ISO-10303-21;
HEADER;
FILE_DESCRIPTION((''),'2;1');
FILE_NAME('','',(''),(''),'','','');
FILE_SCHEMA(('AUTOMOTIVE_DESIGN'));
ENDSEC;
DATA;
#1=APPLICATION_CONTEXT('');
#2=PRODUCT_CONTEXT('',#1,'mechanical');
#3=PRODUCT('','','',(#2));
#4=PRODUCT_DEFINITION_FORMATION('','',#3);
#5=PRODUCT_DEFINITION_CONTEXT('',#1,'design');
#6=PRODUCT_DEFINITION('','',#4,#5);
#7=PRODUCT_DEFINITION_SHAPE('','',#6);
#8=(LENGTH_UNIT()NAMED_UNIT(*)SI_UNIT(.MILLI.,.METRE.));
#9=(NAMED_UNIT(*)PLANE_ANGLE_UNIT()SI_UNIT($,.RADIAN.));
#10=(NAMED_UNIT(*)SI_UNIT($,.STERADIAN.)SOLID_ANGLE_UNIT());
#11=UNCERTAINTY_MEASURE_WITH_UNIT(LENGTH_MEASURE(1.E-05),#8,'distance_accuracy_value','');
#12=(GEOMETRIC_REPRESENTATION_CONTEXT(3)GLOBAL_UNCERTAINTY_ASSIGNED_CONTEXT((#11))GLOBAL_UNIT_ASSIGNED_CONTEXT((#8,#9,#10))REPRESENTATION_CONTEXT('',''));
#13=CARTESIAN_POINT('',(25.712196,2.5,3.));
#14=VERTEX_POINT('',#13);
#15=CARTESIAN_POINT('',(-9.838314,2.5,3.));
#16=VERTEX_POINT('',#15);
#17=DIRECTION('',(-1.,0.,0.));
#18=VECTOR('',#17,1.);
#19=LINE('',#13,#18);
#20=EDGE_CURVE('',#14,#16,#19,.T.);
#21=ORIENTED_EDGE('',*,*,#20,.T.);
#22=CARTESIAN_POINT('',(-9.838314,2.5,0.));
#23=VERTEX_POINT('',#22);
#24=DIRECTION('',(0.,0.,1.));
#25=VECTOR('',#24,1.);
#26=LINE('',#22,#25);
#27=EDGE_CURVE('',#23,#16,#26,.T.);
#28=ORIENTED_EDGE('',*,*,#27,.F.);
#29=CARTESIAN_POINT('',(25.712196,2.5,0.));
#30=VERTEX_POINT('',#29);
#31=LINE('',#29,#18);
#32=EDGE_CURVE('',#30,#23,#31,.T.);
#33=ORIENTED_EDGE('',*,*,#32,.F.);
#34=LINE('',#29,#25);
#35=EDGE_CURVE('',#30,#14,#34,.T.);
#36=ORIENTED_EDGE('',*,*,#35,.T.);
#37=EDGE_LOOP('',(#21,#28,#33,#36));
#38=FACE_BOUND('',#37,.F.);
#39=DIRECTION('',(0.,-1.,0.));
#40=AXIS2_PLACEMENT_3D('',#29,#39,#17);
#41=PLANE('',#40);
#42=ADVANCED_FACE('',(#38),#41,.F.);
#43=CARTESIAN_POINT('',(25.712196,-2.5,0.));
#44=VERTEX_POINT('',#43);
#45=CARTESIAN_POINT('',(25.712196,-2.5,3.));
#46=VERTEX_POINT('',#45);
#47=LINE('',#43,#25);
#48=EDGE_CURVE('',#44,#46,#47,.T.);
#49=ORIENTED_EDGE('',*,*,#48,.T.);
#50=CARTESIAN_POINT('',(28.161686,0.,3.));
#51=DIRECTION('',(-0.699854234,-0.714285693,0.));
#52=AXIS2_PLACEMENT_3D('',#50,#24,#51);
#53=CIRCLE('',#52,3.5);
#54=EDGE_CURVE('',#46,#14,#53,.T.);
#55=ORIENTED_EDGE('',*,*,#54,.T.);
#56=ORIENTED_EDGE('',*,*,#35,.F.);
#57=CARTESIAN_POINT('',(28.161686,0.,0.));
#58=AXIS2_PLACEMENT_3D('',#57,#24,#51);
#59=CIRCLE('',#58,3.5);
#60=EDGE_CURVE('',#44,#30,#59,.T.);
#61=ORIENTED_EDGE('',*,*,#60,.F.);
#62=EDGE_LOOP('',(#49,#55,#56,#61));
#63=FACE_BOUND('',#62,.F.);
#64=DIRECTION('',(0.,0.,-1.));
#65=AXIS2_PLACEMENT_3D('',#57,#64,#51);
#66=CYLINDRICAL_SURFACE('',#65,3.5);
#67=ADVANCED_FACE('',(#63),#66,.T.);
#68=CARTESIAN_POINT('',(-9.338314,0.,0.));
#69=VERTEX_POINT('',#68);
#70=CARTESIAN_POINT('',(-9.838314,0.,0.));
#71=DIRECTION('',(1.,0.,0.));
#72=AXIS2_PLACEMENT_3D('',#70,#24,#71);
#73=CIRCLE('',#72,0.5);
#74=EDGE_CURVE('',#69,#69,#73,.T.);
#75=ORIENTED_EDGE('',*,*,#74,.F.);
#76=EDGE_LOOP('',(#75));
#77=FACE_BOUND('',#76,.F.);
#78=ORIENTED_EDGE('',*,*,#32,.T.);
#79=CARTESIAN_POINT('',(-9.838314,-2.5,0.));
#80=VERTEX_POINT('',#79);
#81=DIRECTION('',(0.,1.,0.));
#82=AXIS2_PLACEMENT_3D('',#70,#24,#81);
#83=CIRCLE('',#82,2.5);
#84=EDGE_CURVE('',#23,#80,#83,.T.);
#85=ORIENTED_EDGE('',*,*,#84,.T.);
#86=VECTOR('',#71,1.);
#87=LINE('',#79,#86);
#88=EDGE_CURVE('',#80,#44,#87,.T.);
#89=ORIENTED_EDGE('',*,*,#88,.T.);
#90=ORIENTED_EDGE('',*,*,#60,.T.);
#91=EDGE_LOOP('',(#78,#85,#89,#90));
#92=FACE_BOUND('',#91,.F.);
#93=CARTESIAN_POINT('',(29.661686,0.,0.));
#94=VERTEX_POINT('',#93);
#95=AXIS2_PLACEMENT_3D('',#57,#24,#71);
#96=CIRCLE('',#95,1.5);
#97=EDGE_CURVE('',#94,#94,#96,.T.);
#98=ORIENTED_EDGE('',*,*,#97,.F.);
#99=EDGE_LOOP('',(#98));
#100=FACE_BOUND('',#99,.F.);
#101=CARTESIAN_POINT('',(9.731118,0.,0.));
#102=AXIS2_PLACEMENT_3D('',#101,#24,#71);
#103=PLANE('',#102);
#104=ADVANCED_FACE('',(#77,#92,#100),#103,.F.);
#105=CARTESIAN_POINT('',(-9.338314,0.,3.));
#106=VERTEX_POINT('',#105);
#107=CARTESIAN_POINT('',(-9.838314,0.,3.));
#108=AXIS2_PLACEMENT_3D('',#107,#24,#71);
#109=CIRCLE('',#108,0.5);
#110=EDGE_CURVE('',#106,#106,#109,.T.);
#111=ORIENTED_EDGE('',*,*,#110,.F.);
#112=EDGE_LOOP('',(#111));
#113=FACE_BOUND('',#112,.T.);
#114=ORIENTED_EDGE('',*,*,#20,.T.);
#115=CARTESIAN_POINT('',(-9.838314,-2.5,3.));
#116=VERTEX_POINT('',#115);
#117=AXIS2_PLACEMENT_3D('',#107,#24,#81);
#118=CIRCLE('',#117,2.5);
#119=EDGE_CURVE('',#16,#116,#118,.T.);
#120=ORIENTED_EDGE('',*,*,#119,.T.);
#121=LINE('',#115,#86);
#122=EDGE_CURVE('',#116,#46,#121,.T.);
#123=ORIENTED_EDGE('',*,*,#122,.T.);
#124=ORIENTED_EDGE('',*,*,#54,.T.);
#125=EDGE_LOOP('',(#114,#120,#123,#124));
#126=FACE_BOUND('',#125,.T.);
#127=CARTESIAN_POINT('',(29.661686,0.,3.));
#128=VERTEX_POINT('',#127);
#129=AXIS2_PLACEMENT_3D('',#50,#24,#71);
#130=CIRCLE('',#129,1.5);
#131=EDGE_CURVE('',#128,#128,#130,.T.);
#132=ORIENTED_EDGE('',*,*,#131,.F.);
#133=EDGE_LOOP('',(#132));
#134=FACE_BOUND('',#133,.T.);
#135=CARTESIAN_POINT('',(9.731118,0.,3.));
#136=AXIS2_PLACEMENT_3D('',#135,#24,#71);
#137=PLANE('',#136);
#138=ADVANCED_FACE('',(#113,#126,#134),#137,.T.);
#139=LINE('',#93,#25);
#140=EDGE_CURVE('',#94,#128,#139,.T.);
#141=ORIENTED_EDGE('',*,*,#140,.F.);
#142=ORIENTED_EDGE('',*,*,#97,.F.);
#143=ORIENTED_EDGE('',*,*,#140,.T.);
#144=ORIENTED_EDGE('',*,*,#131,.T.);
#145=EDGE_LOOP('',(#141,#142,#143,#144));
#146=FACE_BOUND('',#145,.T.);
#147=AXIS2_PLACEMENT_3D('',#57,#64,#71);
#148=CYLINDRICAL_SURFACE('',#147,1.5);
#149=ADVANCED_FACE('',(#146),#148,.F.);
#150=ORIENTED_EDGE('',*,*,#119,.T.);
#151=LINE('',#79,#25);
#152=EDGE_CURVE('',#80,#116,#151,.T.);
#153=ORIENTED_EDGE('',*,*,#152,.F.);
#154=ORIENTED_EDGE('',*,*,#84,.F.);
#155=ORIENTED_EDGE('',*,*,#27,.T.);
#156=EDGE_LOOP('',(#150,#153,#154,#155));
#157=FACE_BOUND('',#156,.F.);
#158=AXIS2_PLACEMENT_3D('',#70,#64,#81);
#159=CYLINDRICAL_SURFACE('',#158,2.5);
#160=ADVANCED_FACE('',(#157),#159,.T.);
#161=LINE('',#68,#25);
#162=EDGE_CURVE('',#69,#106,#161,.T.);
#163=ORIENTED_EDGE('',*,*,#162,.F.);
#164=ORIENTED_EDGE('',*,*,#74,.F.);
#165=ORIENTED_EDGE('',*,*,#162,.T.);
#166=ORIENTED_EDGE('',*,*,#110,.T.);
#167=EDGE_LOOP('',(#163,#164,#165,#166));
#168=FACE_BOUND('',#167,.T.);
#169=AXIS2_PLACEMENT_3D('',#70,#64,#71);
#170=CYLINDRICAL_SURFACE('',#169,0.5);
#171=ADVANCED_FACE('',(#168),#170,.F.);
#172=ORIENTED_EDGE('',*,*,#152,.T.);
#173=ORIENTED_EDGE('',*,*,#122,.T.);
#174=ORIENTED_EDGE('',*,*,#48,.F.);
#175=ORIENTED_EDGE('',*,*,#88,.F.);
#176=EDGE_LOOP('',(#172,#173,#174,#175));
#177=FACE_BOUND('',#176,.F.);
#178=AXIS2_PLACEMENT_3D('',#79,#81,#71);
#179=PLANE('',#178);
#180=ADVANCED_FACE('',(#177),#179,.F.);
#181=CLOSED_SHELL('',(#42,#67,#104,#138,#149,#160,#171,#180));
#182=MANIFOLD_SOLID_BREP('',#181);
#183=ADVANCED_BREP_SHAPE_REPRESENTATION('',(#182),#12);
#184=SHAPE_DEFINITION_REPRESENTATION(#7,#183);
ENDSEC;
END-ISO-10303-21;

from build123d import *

# Parameters (mm, degrees)
F0_R     = 0.5
F0_R_2   = 1.5
F1_DEPTH = 3


with BuildPart() as f1:
    # F0 (on Top) → F1 (new body)
    with BuildSketch(Plane.XY):
        with BuildLine():
            ThreePointArc((25.712196, -2.5), (31.661686, 0), (25.712196, 2.5))
            Line((25.712196, 2.5), (-9.838314, 2.5))
            ThreePointArc((-9.838314, 2.5), (-12.338314, 0), (-9.838314, -2.5))
            Line((-9.838314, -2.5), (25.712196, -2.5))
        make_face()
        with Locations((-9.838314, 0)):
            Circle(F0_R, mode=Mode.SUBTRACT)
        with Locations((28.161686, 0)):
            Circle(F0_R_2, mode=Mode.SUBTRACT)
    extrude(amount=F1_DEPTH)


solid = f1.part
